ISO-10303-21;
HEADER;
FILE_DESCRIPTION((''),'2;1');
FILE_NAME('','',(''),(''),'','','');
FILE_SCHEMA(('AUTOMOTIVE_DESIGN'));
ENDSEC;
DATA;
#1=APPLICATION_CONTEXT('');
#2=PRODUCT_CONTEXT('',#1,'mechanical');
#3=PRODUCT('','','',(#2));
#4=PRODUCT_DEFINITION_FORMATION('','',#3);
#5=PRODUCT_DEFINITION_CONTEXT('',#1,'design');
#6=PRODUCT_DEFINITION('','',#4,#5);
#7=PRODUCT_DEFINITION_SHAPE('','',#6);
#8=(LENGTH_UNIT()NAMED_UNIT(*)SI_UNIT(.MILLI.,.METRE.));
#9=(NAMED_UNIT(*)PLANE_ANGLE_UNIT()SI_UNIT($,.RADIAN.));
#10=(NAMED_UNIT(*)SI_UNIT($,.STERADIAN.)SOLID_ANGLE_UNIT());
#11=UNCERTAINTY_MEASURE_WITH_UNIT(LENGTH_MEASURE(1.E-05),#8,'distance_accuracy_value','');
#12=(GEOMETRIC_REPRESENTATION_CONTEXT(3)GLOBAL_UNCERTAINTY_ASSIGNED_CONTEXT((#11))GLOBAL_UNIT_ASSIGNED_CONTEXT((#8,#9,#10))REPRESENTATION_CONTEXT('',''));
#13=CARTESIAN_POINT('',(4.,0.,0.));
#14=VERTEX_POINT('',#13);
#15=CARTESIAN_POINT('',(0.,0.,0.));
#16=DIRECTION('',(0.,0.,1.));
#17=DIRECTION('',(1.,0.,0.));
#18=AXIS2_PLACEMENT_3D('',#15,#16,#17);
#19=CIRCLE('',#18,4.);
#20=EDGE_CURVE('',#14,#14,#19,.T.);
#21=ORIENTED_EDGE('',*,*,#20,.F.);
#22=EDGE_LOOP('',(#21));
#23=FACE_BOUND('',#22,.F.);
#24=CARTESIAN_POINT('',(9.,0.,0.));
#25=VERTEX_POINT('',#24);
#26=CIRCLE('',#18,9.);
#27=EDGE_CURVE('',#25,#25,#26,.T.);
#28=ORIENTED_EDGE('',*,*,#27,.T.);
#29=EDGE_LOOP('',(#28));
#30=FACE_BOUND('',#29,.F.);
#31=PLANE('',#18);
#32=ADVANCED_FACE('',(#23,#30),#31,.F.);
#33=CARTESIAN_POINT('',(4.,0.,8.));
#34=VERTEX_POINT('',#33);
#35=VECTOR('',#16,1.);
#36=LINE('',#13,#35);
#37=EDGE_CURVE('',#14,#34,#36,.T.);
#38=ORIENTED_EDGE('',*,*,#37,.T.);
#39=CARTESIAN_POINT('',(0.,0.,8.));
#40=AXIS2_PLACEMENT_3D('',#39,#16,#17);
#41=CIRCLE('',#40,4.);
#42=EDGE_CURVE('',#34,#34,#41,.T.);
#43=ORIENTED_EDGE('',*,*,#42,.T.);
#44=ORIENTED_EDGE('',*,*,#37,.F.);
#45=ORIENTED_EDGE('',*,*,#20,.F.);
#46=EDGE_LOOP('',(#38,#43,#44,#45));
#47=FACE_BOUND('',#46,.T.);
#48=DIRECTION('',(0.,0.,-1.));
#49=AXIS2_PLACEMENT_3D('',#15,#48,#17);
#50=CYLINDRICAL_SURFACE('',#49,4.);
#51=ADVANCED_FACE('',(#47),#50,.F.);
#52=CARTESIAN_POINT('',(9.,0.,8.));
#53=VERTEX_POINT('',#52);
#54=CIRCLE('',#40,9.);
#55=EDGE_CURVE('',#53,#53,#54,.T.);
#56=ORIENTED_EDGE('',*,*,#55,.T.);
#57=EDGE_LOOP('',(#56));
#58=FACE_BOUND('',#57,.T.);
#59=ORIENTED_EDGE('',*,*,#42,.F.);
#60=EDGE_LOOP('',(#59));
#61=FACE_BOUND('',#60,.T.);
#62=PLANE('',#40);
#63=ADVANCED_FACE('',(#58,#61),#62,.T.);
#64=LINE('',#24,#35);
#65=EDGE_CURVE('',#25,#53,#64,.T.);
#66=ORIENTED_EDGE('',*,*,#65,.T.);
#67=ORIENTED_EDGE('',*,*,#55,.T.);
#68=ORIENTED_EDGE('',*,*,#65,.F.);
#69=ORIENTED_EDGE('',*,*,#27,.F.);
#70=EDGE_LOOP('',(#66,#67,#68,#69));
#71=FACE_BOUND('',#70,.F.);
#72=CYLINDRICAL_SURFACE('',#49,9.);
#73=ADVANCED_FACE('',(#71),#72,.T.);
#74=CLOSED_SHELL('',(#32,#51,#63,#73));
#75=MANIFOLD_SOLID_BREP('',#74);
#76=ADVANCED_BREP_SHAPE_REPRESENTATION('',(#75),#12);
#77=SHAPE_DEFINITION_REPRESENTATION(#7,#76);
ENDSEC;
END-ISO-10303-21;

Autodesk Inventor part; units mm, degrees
ref_plane "YZ Plane" through (0, 0, 0) normal (1, 0, 0) x (0, 1, 0)
ref_plane "XZ Plane" through (0, 0, 0) normal (0, 1, 0) x (-1, 0, 0)
ref_plane "XY Plane" through (0, 0, 0) normal (0, 0, 1) x (1, 0, 0)
sketch "スケッチ1" plane through (0, 0, 0) normal (0, 0, 1) x (1, 0, 0)
  circle A0 centre (0, 0) radius 4
  circle A1 centre (0, 0) radius 9
  dimension "d0" = 8
  dimension "d1" = 18
extrude "押し出し1" add sketch "スケッチ1" along normal blind 8
properties part number "セットカラー　内径8" material "アセタール樹脂、白"
